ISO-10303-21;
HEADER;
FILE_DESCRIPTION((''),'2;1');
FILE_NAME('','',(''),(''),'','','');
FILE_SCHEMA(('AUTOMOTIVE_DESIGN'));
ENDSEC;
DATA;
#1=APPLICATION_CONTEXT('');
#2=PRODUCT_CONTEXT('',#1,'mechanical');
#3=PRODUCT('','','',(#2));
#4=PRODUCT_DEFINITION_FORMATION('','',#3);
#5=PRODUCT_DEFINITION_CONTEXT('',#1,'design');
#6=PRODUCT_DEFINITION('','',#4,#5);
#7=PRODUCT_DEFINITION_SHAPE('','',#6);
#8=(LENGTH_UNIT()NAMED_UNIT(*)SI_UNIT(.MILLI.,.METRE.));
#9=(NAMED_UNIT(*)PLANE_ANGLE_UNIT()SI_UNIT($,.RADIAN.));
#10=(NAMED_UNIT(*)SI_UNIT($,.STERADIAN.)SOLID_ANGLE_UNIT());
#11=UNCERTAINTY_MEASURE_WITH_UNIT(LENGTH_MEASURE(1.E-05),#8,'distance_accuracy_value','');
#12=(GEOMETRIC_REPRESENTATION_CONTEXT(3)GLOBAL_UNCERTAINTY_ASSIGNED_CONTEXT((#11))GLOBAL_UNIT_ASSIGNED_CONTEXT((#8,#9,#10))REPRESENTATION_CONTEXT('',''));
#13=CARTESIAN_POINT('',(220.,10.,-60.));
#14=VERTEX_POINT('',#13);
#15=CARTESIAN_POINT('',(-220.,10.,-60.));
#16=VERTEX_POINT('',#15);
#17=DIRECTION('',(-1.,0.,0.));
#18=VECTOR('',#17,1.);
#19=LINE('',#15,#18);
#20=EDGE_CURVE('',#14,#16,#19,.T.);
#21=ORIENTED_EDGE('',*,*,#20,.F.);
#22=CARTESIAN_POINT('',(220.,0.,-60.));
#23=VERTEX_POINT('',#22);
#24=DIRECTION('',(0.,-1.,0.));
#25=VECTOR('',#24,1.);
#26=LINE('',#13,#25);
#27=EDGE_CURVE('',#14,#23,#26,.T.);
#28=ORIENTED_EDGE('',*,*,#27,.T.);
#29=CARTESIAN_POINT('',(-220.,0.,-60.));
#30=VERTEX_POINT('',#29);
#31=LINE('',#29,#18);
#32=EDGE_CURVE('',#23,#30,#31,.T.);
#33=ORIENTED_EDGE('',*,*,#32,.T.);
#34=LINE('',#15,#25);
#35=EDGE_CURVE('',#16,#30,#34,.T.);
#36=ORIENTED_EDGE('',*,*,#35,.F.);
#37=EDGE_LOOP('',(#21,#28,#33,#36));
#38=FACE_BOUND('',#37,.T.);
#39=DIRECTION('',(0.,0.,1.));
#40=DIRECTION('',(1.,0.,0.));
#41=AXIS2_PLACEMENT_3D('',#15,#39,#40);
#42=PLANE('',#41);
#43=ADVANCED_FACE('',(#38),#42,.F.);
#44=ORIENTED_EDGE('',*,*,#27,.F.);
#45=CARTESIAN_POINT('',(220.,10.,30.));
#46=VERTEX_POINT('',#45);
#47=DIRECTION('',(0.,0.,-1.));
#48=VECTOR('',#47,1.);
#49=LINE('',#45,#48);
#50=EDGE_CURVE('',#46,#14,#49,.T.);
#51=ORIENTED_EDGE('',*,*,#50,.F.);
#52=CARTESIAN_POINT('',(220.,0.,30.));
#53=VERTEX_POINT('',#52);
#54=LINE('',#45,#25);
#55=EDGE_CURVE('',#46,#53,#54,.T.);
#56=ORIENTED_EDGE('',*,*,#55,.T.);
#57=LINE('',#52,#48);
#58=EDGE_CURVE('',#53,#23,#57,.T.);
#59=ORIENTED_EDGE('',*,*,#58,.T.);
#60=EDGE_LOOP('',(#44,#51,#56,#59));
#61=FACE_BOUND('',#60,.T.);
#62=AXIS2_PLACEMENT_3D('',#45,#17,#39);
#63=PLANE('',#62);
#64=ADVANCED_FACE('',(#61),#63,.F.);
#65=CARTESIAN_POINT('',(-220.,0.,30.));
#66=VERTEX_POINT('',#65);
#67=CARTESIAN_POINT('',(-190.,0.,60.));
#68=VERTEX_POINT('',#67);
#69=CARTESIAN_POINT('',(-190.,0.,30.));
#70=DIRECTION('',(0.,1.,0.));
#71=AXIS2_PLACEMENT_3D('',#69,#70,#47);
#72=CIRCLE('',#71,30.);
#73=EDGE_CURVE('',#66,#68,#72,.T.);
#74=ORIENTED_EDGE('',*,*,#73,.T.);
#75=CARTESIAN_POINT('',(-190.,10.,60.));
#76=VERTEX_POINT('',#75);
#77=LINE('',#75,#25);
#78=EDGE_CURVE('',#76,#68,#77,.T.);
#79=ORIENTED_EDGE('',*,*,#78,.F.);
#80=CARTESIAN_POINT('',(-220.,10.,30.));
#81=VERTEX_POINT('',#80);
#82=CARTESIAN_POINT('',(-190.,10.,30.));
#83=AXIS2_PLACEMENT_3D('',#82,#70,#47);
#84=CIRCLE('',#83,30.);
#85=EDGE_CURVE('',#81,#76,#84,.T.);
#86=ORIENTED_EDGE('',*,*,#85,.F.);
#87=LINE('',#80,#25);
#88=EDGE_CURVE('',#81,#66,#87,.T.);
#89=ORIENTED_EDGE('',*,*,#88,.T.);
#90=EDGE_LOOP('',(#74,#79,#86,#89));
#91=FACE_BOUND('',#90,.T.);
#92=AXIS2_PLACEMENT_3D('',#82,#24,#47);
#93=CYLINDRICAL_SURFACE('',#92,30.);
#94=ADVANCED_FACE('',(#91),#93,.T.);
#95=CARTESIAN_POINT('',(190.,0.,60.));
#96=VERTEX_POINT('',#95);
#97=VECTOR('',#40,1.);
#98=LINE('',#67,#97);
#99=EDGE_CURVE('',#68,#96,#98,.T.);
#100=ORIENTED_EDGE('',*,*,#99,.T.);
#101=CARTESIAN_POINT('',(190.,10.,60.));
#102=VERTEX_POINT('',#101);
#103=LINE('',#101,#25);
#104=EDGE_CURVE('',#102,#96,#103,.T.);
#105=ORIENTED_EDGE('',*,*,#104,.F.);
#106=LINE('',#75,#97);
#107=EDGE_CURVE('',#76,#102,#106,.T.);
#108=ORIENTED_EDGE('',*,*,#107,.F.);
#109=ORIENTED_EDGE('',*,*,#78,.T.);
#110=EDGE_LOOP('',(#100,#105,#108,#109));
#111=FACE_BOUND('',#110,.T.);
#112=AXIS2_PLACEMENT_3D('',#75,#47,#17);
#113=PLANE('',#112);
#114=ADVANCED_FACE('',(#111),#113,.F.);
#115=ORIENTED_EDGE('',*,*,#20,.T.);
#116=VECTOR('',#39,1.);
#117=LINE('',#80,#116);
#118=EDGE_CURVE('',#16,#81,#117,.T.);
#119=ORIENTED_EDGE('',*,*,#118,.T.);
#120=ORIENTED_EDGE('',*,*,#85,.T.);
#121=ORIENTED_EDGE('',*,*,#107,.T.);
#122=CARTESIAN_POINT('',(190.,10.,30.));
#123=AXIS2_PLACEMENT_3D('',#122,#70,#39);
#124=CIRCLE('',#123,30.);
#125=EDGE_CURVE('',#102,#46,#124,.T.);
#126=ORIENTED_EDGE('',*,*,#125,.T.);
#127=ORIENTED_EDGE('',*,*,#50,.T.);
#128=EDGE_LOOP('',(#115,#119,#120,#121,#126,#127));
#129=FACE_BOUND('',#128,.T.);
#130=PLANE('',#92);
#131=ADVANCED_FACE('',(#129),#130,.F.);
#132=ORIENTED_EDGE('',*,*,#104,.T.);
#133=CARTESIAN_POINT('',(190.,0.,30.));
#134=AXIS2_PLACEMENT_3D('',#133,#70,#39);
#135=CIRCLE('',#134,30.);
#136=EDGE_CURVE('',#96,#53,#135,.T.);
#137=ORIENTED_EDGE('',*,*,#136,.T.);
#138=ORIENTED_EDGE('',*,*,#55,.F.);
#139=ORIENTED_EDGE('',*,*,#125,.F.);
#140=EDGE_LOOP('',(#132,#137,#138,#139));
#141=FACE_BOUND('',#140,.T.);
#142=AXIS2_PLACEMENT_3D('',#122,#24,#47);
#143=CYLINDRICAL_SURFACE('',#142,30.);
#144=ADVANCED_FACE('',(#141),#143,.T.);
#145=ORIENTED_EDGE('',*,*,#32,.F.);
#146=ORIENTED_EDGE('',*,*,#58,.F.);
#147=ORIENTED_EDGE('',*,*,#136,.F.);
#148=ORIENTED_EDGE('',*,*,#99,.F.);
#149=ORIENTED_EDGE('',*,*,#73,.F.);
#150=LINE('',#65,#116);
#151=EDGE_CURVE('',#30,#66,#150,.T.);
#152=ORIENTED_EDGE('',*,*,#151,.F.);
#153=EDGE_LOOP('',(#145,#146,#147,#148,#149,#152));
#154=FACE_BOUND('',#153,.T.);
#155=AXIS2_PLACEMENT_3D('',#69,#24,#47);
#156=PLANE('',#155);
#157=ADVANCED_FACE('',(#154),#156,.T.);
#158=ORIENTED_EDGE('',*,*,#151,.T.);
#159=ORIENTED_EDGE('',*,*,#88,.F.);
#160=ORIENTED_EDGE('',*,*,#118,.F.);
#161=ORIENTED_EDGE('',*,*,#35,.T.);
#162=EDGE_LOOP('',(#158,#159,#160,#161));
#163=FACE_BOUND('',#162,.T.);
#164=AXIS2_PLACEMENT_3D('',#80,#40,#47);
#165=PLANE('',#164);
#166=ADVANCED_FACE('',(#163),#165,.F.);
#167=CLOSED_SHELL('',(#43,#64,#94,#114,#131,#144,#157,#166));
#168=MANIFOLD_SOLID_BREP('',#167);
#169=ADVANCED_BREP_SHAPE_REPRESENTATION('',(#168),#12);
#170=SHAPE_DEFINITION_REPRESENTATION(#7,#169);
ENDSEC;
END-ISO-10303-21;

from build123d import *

# Parameters (mm, degrees)
BOSS_EXTRUDE1_DEPTH = 10


with BuildPart() as part:
    # Sketch1 → Boss-Extrude1 (new body)
    with BuildSketch(Plane(origin=(0, 0, 0), x_dir=(1, 0, 0), z_dir=(0, 1, 0))):
        with BuildLine():
            Line((-190, -60), (190, -60))
            ThreePointArc((190, -60), (211.213203436, -51.213203436), (220, -30))
            Line((220, -30), (220, 60))
            Line((220, 60), (-220, 60))
            Line((-220, 60), (-220, -30))
            ThreePointArc((-220, -30), (-211.213203436, -51.213203436), (-190, -60))
        make_face()
    extrude(amount=BOSS_EXTRUDE1_DEPTH)


solid = part.part
